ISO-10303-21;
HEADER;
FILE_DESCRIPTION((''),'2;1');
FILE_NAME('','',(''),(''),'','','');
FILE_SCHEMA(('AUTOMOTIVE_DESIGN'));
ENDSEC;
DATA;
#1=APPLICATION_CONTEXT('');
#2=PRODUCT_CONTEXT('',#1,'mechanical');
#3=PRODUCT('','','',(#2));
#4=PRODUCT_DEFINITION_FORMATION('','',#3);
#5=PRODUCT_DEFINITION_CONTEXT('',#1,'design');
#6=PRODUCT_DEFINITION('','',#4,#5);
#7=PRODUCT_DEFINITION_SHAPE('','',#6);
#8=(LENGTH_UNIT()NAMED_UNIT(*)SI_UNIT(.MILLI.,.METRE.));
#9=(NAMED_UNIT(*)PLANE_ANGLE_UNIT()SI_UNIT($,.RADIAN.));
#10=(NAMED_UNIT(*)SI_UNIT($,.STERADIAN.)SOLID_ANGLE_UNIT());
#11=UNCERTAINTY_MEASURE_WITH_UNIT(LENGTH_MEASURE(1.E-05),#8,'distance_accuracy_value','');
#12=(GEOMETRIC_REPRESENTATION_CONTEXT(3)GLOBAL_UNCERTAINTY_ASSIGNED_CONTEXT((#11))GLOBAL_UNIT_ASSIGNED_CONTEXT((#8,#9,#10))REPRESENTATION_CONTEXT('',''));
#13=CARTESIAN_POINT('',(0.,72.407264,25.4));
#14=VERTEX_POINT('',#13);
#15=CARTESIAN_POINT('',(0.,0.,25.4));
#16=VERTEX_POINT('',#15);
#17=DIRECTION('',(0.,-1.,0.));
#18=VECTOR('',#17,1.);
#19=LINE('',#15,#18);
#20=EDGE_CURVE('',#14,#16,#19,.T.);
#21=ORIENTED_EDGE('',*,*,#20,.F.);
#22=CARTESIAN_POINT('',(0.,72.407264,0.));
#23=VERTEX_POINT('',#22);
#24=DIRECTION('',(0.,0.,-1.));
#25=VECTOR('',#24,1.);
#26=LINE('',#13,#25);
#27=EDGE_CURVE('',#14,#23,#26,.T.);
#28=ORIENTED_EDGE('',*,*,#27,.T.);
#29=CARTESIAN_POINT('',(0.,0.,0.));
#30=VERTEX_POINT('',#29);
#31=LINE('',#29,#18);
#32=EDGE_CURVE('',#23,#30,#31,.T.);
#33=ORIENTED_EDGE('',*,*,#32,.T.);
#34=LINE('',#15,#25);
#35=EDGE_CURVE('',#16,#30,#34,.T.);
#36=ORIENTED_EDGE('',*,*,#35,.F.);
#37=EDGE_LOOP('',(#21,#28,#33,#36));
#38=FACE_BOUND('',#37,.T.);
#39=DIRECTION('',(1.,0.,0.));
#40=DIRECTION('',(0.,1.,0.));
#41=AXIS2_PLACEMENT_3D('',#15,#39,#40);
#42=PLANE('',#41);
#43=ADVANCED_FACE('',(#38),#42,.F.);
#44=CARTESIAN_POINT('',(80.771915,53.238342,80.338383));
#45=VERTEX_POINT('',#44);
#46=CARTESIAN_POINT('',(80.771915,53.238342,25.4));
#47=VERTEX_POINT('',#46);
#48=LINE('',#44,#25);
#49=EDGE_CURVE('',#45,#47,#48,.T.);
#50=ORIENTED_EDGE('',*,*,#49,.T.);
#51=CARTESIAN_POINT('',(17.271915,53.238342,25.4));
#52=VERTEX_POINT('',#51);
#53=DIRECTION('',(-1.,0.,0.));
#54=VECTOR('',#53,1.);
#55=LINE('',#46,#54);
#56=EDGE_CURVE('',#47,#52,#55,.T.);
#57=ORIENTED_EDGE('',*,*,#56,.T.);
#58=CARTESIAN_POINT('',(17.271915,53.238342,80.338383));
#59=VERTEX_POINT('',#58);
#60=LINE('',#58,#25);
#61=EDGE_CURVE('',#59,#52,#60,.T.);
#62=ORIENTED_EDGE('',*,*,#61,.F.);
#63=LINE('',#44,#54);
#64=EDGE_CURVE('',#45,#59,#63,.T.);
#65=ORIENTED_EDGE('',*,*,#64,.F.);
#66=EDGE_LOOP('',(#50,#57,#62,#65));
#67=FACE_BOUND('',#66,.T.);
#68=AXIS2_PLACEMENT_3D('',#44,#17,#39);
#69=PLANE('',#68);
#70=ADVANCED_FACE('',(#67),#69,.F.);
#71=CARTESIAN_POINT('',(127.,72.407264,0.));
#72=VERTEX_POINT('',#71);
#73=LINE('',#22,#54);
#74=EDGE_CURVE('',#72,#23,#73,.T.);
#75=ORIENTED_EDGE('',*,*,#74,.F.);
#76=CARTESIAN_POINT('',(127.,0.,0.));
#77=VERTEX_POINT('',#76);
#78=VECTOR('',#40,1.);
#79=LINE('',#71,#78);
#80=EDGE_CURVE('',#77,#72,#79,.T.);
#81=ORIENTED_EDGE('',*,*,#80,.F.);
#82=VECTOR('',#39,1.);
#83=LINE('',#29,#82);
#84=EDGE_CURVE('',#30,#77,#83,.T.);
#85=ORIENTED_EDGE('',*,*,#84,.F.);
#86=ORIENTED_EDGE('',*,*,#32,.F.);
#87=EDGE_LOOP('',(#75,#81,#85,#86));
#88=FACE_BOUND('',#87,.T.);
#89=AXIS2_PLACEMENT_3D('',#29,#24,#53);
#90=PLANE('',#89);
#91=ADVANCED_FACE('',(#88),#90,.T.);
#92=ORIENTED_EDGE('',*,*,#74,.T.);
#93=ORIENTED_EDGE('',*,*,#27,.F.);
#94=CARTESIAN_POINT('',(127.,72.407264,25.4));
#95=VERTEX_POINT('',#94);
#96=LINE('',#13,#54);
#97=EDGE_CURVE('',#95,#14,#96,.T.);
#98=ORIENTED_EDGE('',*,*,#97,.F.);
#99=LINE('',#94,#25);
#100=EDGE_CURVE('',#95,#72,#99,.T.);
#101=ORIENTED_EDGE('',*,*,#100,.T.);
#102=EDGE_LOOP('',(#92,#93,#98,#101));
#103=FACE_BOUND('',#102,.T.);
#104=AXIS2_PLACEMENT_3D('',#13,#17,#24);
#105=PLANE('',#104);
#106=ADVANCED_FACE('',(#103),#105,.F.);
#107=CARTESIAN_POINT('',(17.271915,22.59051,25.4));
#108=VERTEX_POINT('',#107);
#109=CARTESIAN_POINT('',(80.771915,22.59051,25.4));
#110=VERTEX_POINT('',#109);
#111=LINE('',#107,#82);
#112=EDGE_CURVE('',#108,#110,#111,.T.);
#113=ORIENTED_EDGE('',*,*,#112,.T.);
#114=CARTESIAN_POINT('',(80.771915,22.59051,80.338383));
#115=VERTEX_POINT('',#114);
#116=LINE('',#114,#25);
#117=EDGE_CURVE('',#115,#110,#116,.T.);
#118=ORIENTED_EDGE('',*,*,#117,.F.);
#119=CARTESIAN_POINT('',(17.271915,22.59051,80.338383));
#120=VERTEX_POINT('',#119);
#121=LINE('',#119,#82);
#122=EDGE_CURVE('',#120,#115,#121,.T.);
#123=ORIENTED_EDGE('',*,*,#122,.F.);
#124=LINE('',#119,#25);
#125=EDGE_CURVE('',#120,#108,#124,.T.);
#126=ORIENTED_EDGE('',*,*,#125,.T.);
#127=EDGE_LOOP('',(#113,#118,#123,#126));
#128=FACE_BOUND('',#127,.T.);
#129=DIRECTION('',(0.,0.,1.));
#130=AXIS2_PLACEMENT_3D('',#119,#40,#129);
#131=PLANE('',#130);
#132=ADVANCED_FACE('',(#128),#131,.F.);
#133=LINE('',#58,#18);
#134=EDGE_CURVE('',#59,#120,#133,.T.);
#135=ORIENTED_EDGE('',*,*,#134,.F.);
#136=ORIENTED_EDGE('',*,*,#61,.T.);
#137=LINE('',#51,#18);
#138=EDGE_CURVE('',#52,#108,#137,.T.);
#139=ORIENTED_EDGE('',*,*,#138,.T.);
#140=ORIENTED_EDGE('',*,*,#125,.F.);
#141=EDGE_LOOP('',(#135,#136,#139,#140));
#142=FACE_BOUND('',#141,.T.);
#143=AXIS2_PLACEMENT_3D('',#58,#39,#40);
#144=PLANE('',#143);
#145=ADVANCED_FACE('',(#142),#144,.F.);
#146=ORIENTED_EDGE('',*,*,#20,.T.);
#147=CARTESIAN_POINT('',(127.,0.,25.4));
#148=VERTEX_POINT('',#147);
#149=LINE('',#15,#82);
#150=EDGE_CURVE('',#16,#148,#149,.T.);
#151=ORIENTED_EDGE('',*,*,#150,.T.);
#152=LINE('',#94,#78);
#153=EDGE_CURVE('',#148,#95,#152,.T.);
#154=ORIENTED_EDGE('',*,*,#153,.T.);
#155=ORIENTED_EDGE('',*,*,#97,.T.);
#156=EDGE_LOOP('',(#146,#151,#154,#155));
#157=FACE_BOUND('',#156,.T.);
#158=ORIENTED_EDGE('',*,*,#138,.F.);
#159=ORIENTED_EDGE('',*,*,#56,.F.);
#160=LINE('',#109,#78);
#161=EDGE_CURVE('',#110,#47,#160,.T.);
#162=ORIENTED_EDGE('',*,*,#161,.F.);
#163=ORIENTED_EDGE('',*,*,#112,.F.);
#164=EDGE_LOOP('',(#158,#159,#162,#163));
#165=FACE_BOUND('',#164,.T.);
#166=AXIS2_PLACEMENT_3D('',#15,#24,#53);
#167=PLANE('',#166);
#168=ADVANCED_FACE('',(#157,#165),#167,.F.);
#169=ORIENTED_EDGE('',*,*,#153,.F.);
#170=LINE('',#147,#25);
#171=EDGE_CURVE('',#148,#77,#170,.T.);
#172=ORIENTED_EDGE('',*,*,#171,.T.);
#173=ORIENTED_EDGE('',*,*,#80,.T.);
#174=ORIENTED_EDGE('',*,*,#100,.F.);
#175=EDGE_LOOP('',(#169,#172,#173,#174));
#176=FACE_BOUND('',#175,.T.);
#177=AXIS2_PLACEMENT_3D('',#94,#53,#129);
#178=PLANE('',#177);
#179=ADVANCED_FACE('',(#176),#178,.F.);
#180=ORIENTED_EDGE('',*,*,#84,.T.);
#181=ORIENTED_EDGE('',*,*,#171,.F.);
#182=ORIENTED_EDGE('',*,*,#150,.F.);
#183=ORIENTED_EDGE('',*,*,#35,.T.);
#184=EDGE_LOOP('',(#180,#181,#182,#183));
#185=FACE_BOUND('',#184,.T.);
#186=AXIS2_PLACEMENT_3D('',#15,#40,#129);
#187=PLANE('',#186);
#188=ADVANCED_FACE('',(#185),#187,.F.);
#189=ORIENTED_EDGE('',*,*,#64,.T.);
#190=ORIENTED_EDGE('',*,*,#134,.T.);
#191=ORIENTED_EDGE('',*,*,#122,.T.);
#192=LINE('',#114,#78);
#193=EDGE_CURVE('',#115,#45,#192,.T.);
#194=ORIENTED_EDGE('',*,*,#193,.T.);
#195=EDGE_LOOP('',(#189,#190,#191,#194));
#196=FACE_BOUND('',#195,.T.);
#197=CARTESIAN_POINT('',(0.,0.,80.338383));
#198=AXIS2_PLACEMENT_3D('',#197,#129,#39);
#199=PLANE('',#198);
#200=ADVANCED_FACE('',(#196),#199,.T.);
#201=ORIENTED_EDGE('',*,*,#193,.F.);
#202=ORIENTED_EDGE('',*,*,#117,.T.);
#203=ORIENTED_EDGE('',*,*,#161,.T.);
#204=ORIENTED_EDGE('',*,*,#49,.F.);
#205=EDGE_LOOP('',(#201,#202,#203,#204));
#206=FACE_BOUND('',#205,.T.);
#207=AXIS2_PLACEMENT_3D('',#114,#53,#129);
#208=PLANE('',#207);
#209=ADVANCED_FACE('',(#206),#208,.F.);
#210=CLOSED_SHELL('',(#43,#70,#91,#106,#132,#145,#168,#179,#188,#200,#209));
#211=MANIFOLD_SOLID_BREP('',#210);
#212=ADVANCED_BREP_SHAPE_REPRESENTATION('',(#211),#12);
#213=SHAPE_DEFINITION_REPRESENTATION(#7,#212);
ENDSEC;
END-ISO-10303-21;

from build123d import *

# Parameters (mm, degrees)
SQUARE_W            = 127
SQUARE_H            = 72.407264375
BOSS_EXTRUDE4_DEPTH = 25.4
SKETCH3_W           = 63.5
SKETCH3_H           = 30.647831643
BOSS_EXTRUDE5_DEPTH = 54.938383124


with BuildPart() as part:
    # square → Boss-Extrude4 (new body)
    with BuildSketch(Plane.XY):
        with Locations((63.5, 36.203632188)):
            Rectangle(SQUARE_W, SQUARE_H)
    extrude(amount=BOSS_EXTRUDE4_DEPTH)

    # Sketch3 → Boss-Extrude5 (add)
    with BuildSketch(Plane.XY.offset(25.4)):
        with Locations((49.021914985, 37.914426279)):
            Rectangle(SKETCH3_W, SKETCH3_H)
    extrude(amount=BOSS_EXTRUDE5_DEPTH)


solid = part.part
